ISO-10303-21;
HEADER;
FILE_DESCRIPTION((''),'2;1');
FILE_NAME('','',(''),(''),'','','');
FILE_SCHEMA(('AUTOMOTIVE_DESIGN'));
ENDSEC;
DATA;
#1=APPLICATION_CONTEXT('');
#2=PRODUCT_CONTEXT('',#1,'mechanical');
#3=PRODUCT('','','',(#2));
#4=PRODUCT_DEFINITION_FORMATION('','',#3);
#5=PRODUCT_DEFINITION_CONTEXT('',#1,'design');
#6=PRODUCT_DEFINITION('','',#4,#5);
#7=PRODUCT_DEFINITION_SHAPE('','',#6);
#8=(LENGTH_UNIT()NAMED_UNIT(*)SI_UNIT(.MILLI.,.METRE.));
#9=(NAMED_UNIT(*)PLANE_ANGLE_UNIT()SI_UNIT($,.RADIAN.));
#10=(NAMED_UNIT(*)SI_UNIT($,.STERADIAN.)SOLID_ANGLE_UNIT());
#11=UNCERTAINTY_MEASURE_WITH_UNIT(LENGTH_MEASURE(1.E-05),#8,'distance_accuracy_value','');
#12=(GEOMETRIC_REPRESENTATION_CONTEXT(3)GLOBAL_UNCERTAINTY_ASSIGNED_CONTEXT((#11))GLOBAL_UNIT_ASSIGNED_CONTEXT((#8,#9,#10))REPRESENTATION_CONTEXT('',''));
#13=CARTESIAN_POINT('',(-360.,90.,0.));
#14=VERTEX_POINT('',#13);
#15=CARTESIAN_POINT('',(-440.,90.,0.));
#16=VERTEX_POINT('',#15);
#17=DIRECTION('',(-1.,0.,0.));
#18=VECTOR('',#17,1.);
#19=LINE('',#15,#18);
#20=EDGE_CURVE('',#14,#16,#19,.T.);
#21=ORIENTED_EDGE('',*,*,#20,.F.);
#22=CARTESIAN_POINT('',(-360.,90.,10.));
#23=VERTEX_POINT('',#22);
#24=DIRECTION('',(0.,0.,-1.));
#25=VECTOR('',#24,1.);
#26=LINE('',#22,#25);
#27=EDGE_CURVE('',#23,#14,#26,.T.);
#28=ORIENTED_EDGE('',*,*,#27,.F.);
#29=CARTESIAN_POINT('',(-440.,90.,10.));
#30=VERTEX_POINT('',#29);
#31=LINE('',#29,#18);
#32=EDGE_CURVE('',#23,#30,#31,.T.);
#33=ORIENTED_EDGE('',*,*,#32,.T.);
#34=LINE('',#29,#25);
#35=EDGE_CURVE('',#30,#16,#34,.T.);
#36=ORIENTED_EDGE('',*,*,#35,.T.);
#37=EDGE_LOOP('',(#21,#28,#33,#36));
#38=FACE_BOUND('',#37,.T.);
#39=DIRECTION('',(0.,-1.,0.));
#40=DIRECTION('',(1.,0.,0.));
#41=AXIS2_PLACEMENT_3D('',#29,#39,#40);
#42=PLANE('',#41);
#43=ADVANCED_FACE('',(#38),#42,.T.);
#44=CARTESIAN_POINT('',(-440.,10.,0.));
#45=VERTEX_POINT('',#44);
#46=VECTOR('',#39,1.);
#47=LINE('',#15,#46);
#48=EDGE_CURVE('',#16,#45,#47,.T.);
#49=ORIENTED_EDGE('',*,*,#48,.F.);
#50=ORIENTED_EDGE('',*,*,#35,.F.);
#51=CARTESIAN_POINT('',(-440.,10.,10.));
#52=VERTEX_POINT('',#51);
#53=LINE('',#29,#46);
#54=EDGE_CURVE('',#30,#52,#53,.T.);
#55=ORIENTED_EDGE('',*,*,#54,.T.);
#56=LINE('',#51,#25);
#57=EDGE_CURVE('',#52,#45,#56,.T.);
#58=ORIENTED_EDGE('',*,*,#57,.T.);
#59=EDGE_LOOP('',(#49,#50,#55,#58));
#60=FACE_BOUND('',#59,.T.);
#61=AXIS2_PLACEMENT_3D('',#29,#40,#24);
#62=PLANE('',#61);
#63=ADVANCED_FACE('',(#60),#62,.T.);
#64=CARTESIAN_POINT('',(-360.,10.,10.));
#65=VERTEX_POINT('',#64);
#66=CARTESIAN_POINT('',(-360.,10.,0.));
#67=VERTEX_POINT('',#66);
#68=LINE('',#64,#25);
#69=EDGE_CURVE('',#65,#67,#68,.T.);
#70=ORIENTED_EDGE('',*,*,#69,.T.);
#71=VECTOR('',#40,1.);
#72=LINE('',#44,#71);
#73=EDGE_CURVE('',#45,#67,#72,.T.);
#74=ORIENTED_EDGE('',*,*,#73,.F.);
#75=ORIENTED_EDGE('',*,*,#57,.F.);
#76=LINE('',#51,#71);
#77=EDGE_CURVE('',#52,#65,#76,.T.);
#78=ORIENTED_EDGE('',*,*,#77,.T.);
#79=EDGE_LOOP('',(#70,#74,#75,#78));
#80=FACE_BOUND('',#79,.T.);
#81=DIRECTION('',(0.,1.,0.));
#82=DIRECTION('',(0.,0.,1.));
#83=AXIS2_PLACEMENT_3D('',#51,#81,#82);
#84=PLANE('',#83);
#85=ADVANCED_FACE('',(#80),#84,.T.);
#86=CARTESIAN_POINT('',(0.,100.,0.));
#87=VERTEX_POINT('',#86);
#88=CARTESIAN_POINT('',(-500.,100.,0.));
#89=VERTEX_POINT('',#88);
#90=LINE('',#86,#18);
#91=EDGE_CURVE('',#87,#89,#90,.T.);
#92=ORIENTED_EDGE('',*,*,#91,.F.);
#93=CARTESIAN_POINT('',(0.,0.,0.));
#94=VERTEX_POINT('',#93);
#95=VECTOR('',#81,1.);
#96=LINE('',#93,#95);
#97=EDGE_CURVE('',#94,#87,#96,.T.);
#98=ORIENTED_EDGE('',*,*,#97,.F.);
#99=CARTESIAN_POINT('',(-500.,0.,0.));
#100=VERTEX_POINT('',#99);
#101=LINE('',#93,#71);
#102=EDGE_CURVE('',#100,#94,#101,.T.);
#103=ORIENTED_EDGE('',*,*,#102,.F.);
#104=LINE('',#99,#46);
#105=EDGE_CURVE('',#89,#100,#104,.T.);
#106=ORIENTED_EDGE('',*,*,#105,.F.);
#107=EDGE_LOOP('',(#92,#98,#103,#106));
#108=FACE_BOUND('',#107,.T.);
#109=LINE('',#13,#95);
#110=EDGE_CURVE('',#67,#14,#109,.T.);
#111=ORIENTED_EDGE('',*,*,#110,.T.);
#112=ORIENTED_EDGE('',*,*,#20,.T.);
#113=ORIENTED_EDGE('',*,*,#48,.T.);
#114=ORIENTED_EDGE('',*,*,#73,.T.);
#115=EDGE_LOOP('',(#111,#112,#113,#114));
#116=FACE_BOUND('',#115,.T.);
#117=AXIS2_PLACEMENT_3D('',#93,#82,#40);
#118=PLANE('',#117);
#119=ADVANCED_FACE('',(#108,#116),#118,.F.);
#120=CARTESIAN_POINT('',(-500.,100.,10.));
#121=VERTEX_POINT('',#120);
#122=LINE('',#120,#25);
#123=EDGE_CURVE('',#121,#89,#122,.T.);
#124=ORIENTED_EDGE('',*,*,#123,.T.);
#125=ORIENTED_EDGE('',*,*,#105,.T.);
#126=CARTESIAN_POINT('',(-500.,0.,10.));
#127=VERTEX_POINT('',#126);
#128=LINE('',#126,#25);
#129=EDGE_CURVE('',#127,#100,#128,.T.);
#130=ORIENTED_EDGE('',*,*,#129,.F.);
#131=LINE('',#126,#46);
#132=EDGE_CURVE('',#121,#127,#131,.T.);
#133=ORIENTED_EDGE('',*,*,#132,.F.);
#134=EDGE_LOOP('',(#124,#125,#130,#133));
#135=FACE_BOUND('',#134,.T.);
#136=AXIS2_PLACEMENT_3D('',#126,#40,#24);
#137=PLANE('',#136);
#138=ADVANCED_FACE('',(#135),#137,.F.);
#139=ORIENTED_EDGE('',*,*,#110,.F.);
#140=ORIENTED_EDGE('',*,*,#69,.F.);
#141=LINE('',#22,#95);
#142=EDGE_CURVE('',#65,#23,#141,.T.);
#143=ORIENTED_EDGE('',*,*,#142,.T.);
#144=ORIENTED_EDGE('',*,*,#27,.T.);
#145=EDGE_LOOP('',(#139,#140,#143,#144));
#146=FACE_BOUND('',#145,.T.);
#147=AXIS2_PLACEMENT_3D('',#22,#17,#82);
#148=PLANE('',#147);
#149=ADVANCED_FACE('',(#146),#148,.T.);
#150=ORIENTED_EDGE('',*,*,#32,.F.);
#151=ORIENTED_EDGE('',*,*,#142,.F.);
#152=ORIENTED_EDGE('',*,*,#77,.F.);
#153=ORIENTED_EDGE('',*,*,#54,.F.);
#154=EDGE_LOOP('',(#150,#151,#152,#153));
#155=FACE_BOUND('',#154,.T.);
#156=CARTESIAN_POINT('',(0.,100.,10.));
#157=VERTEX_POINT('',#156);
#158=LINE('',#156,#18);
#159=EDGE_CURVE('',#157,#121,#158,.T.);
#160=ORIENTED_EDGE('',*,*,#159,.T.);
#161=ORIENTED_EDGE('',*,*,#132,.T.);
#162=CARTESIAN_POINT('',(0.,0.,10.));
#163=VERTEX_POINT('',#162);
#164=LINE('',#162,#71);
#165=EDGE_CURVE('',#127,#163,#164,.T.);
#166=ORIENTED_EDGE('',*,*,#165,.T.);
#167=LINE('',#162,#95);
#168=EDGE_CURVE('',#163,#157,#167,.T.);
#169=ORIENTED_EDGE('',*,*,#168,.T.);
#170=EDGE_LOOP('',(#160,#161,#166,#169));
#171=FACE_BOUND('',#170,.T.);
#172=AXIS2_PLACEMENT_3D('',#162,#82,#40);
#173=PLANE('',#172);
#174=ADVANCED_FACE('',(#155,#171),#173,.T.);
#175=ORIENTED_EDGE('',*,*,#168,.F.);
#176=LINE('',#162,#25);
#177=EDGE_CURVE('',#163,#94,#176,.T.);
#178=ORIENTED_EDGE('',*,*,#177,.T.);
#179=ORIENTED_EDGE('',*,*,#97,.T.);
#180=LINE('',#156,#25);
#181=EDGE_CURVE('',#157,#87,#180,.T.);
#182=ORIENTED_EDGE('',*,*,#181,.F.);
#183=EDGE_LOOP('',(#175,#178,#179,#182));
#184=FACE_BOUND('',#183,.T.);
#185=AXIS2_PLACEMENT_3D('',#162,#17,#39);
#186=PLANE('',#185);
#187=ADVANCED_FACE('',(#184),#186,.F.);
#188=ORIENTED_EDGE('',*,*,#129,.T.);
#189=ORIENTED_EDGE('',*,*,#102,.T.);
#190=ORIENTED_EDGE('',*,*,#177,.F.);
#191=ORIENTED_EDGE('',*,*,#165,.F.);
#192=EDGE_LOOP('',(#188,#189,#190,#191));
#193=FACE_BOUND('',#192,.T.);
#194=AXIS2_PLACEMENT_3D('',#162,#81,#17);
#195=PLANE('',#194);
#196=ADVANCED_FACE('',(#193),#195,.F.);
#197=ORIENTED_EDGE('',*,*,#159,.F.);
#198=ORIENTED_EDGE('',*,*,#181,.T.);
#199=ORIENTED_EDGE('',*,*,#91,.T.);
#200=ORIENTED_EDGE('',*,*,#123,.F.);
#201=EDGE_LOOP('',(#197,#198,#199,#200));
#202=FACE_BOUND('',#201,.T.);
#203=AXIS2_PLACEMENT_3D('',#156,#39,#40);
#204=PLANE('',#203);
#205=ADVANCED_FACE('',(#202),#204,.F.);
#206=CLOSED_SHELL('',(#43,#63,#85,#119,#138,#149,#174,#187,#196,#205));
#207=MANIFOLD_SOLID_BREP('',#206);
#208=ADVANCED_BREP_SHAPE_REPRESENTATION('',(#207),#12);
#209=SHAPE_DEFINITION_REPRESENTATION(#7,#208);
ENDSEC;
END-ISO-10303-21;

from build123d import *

# Parameters (mm, degrees)
ESQUISSE1_W        = 500
ESQUISSE1_H        = 100
ESQUISSE1_W_2      = 80
ESQUISSE1_H_2      = 80
BOSS_EXTRU_1_DEPTH = 10


with BuildPart() as part:
    # Esquisse1 → Boss.-Extru.1 (new body)
    with BuildSketch(Plane.XY):
        with Locations((-250, 50)):
            Rectangle(ESQUISSE1_W, ESQUISSE1_H)
        with Locations((-400, 50)):
            Rectangle(ESQUISSE1_W_2, ESQUISSE1_H_2, mode=Mode.SUBTRACT)
    extrude(amount=BOSS_EXTRU_1_DEPTH)


solid = part.part
